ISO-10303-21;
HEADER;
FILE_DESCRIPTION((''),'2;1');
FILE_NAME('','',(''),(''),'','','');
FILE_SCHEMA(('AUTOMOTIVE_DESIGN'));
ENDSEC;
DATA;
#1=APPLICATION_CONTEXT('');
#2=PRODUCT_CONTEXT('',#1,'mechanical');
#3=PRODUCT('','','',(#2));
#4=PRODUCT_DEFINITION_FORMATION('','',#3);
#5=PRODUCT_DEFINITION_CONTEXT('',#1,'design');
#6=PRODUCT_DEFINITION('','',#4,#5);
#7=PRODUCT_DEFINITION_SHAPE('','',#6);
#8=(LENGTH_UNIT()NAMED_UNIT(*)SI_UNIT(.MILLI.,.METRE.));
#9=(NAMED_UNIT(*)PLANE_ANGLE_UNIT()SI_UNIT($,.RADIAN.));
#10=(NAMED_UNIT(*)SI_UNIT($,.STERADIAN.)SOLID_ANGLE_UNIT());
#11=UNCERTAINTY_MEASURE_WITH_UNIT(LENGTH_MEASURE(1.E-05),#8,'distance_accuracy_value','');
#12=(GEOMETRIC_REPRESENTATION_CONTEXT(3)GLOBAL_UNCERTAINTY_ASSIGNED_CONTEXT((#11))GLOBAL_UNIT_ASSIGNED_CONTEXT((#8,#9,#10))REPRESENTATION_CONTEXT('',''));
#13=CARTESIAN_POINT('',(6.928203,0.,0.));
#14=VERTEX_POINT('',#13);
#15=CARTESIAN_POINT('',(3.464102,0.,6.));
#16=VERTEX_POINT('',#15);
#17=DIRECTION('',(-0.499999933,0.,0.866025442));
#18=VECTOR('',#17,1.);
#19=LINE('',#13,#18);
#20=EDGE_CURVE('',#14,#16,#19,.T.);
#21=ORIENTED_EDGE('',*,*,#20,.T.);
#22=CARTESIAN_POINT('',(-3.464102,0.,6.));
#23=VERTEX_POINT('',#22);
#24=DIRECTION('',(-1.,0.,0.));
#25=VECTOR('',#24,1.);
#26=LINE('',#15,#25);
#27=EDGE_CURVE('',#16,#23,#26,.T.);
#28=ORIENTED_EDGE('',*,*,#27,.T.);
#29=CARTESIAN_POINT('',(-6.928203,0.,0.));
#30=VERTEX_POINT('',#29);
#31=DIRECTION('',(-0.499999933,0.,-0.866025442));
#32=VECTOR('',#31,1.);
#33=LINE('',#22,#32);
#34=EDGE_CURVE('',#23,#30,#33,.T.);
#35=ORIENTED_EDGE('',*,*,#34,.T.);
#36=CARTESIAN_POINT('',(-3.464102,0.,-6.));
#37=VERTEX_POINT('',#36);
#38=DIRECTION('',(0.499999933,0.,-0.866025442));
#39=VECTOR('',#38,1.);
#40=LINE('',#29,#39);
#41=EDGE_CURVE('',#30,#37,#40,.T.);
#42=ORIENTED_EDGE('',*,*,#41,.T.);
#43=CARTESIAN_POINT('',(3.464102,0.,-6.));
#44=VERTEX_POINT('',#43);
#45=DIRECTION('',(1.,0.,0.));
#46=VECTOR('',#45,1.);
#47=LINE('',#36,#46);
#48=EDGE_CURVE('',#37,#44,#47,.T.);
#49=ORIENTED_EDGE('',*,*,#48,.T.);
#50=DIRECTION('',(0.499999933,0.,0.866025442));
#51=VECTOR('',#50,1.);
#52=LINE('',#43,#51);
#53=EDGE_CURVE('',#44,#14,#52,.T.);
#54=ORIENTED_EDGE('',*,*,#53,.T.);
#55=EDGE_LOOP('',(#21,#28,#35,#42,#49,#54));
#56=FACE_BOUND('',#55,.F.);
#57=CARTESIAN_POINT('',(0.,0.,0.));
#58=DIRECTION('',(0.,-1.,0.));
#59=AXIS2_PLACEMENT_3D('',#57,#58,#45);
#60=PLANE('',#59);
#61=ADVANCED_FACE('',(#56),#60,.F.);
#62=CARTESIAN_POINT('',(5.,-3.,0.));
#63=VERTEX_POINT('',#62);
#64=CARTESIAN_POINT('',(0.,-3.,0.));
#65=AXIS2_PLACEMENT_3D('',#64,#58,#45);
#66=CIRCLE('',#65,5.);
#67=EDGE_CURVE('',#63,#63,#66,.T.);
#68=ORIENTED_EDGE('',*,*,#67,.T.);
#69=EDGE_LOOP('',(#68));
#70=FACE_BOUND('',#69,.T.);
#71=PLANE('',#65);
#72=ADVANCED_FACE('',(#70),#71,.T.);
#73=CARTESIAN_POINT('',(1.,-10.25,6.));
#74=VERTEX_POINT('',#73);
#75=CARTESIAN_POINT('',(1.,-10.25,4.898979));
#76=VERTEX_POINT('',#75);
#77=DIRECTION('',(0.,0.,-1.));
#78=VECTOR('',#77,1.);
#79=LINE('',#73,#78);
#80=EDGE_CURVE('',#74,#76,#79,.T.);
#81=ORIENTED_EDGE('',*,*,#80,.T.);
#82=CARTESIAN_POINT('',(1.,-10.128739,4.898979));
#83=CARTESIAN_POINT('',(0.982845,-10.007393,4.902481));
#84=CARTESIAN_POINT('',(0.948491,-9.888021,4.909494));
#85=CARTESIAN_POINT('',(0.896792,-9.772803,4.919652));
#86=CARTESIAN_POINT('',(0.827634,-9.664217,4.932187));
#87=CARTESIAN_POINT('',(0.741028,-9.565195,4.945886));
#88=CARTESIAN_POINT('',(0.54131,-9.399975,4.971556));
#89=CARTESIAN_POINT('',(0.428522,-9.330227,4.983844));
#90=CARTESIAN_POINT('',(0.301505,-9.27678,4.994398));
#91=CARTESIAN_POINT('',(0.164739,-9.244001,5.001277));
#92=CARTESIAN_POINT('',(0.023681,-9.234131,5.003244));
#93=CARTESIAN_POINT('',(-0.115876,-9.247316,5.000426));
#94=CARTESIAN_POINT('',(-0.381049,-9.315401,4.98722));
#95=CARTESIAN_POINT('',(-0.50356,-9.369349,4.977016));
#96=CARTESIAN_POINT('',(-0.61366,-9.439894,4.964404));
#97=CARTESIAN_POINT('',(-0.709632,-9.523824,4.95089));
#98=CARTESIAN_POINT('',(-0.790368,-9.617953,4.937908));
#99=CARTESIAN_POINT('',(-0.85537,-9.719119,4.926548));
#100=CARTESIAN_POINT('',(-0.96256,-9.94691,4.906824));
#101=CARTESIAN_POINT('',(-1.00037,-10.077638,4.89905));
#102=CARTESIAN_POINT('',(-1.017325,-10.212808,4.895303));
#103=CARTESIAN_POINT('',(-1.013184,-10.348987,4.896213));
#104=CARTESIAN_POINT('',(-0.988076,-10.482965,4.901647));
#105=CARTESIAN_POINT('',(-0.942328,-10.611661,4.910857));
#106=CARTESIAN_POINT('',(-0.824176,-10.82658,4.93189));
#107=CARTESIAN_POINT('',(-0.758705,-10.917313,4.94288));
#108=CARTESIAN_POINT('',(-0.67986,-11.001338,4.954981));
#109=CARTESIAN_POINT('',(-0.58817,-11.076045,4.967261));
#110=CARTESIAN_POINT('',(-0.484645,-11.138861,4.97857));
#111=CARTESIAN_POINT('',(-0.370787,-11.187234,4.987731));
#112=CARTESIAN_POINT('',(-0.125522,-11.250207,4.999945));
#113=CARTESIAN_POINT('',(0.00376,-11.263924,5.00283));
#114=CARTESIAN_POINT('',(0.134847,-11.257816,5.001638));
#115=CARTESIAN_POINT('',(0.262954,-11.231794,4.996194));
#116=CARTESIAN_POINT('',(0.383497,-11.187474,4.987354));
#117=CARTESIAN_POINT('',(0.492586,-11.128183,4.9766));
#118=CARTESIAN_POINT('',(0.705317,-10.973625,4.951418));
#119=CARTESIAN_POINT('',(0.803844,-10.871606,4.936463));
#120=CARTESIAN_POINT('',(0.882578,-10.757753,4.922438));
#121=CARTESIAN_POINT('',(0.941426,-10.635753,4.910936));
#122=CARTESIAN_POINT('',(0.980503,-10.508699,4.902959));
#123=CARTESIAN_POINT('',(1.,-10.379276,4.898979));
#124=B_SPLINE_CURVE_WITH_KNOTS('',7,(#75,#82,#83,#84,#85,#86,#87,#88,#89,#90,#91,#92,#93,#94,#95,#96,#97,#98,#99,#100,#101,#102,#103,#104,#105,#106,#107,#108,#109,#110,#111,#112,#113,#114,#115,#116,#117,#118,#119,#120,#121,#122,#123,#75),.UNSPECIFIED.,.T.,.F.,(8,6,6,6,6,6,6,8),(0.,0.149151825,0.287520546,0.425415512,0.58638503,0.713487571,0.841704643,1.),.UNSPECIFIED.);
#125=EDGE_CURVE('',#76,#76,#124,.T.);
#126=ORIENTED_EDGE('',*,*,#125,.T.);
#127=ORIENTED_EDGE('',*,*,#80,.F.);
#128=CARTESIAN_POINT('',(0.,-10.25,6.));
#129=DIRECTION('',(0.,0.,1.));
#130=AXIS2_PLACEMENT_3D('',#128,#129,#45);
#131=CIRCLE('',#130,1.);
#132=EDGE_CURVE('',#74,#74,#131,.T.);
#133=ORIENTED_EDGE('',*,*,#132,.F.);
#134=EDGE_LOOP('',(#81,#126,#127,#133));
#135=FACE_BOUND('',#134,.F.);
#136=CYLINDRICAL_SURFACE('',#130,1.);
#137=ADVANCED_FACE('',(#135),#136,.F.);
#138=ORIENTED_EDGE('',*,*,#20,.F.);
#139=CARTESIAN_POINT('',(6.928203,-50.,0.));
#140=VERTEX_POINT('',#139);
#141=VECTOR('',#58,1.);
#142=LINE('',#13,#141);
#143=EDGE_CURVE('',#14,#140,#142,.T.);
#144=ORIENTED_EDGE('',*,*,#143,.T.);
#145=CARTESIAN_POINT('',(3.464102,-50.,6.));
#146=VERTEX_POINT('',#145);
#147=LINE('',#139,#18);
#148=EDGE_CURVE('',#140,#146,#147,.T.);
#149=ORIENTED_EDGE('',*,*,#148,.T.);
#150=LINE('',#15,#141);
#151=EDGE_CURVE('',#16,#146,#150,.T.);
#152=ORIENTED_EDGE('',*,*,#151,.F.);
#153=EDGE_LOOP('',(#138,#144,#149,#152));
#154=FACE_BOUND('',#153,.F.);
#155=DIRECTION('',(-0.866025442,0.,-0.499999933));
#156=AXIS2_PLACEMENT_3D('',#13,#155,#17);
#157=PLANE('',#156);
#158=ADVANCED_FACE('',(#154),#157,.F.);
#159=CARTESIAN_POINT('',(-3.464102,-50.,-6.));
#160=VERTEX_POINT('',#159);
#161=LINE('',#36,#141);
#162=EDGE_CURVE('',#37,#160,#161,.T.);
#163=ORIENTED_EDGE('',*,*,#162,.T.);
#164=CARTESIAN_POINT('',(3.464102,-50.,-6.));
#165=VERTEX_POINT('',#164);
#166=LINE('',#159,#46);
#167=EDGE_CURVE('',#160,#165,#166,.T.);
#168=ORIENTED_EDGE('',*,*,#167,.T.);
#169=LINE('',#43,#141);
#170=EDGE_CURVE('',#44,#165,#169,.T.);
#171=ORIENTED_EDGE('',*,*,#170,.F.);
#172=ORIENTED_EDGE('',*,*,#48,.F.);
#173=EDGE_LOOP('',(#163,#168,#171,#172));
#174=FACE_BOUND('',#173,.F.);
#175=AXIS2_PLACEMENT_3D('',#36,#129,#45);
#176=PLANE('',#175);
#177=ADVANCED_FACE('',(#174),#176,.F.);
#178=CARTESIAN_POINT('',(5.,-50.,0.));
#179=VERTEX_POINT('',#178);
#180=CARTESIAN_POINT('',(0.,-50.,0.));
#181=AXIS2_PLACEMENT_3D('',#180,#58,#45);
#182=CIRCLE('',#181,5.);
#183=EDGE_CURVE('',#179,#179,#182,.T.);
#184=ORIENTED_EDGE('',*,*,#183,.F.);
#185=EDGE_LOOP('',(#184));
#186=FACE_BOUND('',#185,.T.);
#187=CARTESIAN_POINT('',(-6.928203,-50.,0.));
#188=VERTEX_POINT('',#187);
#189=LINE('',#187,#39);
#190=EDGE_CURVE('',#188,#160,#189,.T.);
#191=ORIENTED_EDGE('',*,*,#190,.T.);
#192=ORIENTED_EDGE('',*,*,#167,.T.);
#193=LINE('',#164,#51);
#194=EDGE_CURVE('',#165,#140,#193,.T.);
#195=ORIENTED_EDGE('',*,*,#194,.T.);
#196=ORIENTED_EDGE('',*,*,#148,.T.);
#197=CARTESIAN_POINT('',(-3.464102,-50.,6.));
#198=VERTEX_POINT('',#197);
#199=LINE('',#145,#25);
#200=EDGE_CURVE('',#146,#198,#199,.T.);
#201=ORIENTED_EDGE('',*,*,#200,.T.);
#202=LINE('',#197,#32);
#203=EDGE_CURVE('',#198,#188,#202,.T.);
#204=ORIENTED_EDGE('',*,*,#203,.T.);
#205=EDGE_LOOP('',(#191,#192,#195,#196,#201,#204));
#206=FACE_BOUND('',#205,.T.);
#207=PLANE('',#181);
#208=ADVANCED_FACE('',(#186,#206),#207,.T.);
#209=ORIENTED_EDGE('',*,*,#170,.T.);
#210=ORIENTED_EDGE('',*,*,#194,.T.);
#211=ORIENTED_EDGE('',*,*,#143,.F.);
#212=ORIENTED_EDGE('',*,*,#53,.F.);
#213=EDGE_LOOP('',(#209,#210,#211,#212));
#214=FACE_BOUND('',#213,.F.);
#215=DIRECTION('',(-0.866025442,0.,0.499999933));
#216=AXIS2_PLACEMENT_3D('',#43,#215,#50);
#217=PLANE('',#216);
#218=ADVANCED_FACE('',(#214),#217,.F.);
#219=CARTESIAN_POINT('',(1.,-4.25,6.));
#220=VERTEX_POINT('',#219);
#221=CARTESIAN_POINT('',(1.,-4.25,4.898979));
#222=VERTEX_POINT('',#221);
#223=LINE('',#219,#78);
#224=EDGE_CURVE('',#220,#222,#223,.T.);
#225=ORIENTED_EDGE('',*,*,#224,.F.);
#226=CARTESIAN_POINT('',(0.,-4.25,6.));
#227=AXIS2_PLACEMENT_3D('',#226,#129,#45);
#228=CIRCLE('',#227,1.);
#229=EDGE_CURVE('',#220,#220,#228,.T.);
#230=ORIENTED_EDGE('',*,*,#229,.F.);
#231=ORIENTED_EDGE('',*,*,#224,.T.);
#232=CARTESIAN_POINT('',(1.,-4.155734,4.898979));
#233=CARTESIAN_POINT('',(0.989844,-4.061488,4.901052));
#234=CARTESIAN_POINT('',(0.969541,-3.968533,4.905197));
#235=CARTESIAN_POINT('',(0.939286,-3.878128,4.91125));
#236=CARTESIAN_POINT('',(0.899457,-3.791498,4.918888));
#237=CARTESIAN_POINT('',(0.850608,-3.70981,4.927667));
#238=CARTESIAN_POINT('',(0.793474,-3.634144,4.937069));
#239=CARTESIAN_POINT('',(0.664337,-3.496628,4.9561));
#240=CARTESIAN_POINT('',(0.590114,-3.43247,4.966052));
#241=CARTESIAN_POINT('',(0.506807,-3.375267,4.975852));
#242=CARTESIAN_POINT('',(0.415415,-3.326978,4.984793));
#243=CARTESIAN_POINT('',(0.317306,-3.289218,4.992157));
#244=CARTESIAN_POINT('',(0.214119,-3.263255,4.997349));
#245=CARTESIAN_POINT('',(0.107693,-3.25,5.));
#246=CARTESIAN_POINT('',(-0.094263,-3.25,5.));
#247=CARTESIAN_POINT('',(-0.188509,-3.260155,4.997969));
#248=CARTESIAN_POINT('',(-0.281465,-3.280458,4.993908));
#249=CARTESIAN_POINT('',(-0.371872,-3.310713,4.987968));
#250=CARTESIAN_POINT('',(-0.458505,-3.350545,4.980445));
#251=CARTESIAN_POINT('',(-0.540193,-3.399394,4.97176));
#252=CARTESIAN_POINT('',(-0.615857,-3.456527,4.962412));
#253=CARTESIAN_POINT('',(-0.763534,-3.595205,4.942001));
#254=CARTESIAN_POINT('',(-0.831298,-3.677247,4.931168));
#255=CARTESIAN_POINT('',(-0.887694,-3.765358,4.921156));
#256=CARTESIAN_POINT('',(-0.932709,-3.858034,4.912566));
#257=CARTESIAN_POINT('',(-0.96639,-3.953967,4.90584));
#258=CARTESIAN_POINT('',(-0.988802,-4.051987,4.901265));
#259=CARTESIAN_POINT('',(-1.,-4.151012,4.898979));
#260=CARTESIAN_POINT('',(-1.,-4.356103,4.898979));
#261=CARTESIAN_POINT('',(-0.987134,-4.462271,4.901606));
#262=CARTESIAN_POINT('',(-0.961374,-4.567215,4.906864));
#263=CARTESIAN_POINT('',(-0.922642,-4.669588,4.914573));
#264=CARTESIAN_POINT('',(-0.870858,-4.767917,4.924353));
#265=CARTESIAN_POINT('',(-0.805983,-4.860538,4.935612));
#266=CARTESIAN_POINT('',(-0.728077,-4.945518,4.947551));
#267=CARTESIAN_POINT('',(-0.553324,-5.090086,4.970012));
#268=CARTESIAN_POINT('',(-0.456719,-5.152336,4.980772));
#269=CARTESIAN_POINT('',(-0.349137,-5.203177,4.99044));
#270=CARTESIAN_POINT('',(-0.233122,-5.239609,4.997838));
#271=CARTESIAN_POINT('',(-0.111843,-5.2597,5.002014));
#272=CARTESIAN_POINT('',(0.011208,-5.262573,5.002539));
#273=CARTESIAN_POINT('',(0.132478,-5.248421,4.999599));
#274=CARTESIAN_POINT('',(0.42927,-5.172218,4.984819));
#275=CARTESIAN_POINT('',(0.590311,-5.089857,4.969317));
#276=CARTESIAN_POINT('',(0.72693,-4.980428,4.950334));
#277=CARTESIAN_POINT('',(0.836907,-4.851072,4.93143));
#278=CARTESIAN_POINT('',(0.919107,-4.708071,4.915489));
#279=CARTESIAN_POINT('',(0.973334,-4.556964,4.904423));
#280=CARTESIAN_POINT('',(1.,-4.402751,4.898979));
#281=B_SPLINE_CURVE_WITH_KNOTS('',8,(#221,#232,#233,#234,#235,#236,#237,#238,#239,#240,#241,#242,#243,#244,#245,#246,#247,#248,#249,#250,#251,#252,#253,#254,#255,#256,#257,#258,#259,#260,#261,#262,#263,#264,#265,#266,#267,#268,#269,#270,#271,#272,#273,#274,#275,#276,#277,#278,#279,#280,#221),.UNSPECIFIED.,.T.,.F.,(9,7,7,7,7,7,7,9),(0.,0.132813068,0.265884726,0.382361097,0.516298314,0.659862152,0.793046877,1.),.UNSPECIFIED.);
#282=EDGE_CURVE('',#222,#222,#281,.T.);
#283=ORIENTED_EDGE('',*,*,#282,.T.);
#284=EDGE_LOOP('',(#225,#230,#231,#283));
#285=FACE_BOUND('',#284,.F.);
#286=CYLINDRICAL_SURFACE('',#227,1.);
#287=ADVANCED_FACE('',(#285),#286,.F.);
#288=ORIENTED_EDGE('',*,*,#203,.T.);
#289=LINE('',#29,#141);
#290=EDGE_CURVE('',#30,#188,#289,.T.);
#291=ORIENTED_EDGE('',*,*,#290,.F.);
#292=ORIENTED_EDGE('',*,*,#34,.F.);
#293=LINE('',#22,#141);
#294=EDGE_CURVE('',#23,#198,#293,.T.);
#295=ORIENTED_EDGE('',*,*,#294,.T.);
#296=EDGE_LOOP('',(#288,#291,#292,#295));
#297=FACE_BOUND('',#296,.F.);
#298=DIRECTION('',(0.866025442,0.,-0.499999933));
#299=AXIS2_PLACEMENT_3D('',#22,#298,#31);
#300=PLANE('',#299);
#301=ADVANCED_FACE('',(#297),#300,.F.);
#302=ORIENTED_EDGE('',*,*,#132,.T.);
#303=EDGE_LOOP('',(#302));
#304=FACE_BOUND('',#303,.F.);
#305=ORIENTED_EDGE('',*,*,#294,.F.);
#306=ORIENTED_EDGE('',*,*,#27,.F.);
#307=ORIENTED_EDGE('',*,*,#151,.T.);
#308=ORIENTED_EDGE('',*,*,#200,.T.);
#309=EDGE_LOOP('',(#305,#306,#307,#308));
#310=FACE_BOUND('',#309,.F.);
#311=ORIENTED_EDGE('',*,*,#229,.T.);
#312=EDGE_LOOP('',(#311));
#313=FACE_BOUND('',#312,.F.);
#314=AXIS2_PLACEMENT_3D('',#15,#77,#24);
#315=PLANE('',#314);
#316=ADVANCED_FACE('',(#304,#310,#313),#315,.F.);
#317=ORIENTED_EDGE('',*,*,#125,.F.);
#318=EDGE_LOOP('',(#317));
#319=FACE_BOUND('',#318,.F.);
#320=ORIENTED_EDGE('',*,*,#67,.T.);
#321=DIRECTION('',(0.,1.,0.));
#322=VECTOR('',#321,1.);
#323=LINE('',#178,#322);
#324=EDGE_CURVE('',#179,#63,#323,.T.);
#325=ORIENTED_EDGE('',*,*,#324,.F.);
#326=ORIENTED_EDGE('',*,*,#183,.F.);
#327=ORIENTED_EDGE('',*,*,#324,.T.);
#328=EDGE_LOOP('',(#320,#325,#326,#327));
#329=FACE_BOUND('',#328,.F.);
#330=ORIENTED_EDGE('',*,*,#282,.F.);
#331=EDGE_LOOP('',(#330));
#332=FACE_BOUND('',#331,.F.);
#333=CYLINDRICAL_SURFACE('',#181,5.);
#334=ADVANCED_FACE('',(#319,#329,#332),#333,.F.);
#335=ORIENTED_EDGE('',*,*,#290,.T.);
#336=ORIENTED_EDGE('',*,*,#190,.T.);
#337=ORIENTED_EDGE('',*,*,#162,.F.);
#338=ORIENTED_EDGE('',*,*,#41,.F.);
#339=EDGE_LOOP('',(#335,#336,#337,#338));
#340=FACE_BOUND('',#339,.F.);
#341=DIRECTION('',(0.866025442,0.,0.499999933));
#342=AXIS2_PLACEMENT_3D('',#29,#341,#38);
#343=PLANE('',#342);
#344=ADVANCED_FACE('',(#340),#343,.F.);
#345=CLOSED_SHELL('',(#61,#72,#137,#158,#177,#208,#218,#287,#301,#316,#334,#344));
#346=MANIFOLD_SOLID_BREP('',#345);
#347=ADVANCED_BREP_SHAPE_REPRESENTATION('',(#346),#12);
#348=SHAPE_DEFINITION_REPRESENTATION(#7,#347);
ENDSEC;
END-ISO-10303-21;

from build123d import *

# Parameters (mm, degrees)
F1_DEPTH = 50
F2_R     = 5
F3_DEPTH = 47
F4_R     = 1
F5_DEPTH = 2


with BuildPart() as f1:
    # F0 (on Front) → F1 (new body)
    with BuildSketch(Plane.XZ):
        Polygon((3.464102, 6), (-3.464102, 6), (-6.928203, 0), (-3.464102, -6), (3.464102, -6), (6.928203, 0), align=None)
    extrude(amount=F1_DEPTH)

    # F2 (on face) → F3 (cut)
    with BuildSketch(Plane.XZ.offset(50)):
        Circle(F2_R)
    extrude(amount=-F3_DEPTH, mode=Mode.SUBTRACT)

    # F4 (on face) → F5 (cut)
    with BuildSketch(Plane.XY.offset(6)):
        with Locations((0, -10.25)):
            Circle(F4_R)
        with Locations((0, -4.25)):
            Circle(F4_R)
    extrude(amount=-F5_DEPTH, mode=Mode.SUBTRACT)


solid = f1.part
